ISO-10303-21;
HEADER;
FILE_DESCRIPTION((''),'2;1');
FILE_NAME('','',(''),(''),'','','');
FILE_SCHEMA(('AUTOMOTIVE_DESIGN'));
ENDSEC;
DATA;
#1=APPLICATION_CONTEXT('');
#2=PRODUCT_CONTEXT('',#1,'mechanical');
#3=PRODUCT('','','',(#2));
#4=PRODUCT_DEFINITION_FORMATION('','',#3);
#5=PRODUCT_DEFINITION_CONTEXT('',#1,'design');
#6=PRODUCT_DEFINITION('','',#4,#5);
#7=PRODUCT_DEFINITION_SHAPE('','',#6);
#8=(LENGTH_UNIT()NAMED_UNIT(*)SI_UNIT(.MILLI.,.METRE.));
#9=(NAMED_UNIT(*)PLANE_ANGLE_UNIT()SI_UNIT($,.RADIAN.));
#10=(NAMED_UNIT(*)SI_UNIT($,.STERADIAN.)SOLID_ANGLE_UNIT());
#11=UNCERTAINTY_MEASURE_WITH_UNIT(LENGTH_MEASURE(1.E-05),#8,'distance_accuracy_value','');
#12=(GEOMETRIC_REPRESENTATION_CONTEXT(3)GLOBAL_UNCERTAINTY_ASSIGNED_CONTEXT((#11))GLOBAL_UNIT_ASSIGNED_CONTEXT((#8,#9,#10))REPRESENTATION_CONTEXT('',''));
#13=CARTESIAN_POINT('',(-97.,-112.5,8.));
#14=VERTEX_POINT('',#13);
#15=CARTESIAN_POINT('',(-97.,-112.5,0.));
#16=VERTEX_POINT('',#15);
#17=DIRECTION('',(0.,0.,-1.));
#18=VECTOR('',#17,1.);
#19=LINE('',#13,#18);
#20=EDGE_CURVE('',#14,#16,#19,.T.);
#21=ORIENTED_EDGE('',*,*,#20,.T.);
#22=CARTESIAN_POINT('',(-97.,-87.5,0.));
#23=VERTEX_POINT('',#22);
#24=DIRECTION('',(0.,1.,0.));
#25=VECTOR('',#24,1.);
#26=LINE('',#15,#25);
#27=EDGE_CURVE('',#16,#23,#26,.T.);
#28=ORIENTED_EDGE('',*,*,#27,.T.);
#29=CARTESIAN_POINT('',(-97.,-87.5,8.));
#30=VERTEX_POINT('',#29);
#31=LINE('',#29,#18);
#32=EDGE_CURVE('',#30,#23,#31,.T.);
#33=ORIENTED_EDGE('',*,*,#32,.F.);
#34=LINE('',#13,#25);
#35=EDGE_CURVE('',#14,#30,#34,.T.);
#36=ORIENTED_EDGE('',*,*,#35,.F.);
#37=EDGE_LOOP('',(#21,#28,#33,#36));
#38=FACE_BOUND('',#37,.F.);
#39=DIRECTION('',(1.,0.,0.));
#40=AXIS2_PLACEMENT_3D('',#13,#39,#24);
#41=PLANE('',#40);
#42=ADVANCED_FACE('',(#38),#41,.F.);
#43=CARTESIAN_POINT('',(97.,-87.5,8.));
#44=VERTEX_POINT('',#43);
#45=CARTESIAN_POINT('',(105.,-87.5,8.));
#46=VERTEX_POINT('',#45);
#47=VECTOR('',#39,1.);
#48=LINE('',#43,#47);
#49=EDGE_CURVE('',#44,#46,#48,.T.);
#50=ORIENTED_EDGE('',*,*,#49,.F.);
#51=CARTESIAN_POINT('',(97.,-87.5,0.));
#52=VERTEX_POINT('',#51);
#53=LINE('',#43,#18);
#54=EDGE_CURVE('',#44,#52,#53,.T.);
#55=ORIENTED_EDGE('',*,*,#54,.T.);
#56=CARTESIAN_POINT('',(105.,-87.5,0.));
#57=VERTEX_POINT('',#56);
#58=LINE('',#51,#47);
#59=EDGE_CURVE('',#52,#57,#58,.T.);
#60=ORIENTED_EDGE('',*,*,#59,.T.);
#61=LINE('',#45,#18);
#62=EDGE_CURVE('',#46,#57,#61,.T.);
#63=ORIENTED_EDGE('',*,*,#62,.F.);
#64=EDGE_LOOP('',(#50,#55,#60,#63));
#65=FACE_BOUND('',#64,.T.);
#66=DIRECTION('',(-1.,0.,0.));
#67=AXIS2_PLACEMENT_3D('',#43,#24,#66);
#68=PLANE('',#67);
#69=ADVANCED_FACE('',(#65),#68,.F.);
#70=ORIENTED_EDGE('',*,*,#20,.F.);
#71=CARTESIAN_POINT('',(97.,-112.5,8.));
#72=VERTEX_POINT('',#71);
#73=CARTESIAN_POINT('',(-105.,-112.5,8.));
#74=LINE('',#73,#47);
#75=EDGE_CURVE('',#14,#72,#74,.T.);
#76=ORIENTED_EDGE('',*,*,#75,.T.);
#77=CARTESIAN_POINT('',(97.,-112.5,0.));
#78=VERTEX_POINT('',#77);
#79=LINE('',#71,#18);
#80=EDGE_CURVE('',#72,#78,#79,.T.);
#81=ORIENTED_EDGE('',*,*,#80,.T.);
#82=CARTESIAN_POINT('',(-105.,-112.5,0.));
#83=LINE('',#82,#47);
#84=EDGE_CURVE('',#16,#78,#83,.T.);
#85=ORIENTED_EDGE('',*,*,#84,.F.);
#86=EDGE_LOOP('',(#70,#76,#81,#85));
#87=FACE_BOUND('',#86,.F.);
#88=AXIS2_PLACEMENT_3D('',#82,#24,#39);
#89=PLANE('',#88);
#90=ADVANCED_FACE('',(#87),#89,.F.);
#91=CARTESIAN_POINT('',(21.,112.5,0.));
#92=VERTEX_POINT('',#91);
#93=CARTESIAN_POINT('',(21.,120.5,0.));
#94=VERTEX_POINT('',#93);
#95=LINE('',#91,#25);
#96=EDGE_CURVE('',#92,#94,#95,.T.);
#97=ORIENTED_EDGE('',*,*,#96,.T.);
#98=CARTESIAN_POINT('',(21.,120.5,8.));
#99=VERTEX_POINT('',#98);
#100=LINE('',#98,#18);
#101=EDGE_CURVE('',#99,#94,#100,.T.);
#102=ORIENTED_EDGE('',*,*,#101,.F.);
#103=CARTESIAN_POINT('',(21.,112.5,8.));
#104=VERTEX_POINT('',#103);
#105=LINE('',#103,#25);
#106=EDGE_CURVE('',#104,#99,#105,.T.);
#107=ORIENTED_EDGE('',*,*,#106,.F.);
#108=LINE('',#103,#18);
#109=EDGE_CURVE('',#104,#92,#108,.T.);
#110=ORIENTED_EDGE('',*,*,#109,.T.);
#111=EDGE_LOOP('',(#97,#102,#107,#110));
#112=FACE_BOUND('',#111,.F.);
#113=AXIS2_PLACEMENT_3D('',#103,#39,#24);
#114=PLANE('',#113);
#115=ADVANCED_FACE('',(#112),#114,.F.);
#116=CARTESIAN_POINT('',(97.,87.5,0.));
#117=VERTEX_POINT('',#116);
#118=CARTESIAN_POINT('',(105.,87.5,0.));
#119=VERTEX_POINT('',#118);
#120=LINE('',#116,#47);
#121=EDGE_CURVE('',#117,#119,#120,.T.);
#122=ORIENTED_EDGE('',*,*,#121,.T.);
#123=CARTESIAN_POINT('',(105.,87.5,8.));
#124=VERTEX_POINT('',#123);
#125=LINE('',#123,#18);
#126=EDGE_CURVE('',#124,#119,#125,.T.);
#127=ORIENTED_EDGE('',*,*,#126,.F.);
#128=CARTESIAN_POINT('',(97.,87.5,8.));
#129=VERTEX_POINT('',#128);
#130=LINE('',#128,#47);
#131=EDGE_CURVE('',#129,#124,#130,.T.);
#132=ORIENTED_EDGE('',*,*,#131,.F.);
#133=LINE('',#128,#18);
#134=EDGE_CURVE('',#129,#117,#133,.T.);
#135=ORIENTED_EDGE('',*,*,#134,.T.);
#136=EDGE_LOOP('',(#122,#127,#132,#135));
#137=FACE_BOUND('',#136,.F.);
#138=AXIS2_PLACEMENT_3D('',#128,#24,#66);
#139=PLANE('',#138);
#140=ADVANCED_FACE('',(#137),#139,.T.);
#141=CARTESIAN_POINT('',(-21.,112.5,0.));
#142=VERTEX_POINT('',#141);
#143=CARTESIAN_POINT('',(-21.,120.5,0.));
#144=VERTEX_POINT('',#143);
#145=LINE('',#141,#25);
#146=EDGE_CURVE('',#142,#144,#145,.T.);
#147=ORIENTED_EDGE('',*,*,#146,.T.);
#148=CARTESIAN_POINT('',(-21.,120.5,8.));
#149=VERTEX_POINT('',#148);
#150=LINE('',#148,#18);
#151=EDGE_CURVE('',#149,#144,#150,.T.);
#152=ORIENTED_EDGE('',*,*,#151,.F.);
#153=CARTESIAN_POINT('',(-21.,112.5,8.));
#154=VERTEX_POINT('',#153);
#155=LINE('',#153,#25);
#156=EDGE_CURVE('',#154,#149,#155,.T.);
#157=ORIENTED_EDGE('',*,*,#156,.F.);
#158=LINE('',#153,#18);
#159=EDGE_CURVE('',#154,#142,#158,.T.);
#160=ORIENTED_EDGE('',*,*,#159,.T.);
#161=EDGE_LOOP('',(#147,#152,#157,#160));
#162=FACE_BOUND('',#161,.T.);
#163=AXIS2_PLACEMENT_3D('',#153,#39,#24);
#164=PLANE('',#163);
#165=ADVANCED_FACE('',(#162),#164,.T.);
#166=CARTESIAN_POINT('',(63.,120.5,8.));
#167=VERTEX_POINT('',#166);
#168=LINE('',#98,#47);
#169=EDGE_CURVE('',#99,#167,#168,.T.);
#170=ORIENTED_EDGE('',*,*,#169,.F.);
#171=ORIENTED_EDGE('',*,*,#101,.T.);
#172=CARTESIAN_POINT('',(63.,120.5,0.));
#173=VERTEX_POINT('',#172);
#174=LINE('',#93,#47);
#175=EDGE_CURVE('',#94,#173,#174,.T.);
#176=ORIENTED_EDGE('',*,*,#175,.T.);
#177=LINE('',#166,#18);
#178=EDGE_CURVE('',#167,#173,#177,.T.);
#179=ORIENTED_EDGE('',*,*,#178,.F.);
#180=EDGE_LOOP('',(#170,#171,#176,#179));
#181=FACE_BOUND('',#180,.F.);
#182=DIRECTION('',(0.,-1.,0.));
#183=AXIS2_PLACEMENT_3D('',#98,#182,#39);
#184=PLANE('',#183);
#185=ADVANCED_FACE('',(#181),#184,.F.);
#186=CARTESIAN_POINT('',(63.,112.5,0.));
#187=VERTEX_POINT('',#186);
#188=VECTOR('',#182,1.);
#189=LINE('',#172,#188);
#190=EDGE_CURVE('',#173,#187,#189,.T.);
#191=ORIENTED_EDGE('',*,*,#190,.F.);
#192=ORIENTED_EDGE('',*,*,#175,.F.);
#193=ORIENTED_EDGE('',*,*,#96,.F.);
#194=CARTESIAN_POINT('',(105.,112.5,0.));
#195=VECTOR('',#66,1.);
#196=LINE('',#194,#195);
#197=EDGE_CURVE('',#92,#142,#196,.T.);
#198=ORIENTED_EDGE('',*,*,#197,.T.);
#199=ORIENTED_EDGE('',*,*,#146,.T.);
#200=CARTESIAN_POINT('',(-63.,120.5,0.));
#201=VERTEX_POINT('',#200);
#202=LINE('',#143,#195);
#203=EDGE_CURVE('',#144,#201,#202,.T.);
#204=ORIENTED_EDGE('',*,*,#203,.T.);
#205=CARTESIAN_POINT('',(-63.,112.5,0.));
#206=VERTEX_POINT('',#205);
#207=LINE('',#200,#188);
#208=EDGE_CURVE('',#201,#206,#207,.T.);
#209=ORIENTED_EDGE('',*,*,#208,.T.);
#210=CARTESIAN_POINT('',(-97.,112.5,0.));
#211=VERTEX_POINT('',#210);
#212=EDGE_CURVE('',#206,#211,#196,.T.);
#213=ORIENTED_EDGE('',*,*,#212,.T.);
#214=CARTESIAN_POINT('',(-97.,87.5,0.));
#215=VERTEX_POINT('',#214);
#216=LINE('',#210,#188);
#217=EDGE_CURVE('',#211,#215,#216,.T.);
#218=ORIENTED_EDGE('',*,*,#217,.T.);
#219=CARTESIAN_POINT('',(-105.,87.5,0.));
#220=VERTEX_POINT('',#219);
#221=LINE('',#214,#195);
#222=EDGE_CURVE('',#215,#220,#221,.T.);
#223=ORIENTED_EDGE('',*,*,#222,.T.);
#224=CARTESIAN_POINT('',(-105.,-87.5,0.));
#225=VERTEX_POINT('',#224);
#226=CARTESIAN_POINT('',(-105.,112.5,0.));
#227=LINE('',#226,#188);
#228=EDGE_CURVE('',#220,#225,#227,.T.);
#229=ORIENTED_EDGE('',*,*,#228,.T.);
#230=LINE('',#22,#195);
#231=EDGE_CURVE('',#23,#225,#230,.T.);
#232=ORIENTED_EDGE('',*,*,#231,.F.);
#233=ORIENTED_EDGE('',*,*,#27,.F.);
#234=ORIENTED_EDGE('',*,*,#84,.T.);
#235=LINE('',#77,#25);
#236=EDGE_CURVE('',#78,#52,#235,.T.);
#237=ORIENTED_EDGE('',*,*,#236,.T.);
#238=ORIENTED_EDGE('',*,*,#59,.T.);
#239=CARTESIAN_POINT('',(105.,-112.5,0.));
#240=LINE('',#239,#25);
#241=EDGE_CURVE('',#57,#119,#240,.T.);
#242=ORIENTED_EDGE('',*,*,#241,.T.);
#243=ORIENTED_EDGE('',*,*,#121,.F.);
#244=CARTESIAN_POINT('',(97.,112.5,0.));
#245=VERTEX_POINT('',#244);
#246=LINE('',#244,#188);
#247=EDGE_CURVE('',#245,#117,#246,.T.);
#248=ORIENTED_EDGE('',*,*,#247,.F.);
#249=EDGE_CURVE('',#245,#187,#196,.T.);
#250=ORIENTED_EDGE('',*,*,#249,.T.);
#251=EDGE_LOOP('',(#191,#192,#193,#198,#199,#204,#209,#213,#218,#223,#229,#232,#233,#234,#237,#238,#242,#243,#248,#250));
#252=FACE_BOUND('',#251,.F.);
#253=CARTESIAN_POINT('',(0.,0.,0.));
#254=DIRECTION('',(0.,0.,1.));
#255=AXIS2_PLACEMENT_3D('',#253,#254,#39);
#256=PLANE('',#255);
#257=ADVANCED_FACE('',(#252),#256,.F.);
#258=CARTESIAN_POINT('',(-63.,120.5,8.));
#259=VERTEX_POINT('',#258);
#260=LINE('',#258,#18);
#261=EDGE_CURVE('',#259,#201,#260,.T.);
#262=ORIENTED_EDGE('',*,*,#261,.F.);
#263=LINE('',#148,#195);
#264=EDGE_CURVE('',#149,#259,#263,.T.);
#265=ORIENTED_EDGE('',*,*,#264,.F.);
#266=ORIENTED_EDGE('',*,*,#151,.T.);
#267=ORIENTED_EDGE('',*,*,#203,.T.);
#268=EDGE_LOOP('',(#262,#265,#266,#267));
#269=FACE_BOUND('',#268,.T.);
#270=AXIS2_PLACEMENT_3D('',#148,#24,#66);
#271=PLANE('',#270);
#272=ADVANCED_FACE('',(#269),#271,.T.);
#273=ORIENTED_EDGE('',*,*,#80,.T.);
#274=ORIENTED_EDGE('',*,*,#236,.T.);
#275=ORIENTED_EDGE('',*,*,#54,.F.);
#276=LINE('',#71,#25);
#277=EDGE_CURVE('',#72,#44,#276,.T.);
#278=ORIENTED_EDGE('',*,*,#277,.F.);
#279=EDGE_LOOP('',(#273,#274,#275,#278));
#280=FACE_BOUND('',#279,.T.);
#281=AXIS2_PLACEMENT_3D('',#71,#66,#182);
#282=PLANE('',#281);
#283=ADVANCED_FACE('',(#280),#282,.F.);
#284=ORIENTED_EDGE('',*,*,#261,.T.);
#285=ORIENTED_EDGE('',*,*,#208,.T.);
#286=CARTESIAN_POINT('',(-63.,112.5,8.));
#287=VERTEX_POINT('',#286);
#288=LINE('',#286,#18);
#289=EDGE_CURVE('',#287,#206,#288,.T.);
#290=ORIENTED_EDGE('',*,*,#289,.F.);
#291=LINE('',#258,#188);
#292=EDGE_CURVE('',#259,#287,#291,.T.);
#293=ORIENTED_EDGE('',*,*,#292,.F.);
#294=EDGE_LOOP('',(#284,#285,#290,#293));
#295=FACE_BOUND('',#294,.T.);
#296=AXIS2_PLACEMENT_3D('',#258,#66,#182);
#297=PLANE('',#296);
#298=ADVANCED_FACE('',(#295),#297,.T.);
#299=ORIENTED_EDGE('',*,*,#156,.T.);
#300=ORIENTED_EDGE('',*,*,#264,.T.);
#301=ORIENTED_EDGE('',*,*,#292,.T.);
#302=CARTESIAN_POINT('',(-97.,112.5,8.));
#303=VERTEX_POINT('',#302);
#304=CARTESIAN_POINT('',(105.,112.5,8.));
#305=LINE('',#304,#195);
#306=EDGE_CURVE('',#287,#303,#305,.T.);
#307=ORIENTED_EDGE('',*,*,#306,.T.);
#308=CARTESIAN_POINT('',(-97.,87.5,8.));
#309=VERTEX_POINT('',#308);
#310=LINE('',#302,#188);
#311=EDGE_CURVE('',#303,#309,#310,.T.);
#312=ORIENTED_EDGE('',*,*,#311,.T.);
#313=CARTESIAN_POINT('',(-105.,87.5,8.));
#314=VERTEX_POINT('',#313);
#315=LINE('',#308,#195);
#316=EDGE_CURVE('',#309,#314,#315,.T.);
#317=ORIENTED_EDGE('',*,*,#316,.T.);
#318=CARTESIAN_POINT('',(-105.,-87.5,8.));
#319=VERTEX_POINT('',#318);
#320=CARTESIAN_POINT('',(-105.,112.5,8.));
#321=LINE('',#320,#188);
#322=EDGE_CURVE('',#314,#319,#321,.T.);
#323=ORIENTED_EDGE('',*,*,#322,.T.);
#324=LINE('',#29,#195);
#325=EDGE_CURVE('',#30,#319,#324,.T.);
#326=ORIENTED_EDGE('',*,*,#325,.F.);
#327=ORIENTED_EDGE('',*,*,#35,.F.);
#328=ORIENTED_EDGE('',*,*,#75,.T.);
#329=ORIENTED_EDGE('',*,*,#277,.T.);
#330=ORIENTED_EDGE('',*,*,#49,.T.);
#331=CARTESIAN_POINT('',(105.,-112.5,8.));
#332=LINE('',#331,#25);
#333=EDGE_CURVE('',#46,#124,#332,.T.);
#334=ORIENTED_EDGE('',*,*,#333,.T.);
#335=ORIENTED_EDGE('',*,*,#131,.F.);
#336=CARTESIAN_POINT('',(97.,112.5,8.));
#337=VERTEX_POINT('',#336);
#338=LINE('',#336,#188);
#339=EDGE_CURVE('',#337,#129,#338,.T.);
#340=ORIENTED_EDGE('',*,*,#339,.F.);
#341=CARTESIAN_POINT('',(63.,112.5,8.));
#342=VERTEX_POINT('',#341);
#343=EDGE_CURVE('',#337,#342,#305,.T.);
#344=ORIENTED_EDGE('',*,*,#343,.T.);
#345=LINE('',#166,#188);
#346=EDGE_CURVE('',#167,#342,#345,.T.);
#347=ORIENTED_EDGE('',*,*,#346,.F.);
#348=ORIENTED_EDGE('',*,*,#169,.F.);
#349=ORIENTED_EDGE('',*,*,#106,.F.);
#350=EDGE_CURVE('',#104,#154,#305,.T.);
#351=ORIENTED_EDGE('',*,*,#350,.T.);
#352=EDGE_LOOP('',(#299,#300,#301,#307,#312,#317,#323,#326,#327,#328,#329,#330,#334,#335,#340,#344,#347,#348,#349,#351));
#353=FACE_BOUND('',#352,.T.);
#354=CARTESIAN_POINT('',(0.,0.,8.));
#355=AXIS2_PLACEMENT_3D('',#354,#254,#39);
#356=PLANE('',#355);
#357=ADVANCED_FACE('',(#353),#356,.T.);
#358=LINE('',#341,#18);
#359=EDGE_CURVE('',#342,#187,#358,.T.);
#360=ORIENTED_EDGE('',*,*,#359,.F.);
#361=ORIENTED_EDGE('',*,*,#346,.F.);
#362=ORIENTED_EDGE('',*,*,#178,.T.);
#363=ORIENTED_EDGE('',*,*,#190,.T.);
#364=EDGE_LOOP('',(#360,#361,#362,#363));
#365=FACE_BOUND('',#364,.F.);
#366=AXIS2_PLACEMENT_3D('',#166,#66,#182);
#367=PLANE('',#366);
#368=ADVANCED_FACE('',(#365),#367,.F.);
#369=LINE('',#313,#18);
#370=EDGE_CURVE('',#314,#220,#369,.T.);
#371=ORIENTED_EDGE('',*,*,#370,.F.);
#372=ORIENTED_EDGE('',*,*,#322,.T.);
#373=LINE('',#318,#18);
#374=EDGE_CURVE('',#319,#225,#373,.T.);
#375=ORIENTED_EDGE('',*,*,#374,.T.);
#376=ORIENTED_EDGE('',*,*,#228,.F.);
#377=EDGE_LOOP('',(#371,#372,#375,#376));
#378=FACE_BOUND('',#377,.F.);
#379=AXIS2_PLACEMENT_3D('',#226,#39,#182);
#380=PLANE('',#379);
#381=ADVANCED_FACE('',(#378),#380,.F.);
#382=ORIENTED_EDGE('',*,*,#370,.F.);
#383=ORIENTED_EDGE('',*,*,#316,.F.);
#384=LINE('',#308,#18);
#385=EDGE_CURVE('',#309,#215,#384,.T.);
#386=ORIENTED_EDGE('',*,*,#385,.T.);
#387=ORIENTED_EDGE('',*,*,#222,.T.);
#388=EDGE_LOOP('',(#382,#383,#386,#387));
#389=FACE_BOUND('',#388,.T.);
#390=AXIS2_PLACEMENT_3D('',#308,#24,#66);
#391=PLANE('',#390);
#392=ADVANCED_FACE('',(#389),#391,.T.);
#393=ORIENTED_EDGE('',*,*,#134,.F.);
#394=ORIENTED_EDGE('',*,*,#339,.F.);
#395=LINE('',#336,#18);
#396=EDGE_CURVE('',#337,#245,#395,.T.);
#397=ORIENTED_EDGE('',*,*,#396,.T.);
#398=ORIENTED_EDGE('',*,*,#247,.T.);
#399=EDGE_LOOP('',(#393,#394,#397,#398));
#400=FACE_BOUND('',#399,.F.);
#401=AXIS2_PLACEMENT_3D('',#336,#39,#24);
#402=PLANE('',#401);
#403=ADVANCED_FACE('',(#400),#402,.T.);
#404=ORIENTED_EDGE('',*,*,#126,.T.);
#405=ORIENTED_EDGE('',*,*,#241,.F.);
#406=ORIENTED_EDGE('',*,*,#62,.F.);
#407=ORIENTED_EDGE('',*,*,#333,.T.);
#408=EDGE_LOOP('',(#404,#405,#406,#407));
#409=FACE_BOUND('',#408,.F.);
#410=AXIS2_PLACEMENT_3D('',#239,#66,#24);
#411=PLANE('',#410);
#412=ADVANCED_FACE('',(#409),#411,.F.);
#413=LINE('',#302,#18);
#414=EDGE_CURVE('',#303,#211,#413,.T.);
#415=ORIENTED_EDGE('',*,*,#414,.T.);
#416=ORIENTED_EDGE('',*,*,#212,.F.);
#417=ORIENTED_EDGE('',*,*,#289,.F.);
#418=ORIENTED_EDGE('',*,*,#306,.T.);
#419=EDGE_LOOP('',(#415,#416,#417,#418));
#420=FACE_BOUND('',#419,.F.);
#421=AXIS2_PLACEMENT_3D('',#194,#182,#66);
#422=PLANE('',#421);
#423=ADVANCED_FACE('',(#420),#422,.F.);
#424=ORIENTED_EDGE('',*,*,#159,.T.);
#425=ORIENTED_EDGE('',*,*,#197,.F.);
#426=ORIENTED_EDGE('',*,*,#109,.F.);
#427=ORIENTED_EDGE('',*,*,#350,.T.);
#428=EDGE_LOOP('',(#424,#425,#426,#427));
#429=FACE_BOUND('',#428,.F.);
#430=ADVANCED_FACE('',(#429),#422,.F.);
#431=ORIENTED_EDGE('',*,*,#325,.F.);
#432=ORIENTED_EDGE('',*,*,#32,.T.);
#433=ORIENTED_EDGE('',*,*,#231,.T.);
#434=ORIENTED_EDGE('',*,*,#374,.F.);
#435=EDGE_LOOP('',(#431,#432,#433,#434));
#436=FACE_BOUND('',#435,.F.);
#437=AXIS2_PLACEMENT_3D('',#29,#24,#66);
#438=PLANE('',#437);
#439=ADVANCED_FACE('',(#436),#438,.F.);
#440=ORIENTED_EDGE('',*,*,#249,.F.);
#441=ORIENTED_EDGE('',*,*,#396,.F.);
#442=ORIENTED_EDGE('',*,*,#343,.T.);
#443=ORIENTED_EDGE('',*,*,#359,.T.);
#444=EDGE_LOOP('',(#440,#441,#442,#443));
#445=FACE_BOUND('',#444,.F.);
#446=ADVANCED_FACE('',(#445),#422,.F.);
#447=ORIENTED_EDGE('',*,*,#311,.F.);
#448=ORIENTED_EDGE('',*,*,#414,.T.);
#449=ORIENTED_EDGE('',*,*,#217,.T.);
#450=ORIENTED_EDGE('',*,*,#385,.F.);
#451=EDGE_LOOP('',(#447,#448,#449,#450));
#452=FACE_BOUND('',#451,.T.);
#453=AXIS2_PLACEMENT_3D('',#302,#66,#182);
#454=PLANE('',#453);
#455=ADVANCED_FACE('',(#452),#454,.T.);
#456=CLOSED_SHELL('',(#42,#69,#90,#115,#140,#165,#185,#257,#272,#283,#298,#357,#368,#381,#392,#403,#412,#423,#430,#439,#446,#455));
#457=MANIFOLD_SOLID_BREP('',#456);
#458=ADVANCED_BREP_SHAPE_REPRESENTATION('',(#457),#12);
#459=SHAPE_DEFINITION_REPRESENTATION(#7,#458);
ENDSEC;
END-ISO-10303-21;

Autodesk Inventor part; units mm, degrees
ref_plane "YZ Plane" through (0, 0, 0) normal (1, 0, 0) x (0, 1, 0)
ref_plane "XZ Plane" through (0, 0, 0) normal (0, 1, 0) x (-1, 0, 0)
ref_plane "XY Plane" through (0, 0, 0) normal (0, 0, 1) x (1, 0, 0)
sketch "Sketch2" plane through (0, 0, 0) normal (0, 0, 1) x (1, 0, 0)
  line L0 (-105, -112.5) -> (105, -112.5)
  line L1 (105, -112.5) -> (105, 112.5)
  line L2 (105, 112.5) -> (-105, 112.5)
  line L3 (-105, 112.5) -> (-105, -112.5)
  line L4 (-105, -112.5) -> (105, 112.5) construction
  line L5 (105, -112.5) -> (-105, 112.5) construction
  point P0 (0, 0)
  dimension "d11" = 225
  dimension "d12" = 210
extrude "Extrusion2" add sketch "Sketch2" along normal blind 8
sketch "Sketch3" plane through (0, 0, 8) normal (0, 0, 1) x (1, 0, 0)
  line L0 (105, 112.5) -> (-105, 112.5) projected
  line L1 (-63, 112.5) -> (-21, 112.5)
  line L2 (-21, 112.5) -> (-21, 120.5)
  line L3 (-21, 120.5) -> (-63, 120.5)
  line L4 (-63, 120.5) -> (-63, 112.5)
  line L5 (63, 112.5) -> (21, 112.5)
  line L6 (21, 112.5) -> (21, 120.5)
  line L7 (21, 120.5) -> (63, 120.5)
  line L8 (63, 120.5) -> (63, 112.5)
  line L9 (-21, 120.5) -> (21, 120.5) construction
  line L10 (63, 120.5) -> (105, 120.5) construction
  line L11 (-63, 120.5) -> (-105, 120.5) construction
  point P0 (0, 0)
  dimension "d15" = 8
extrude "Extrusion3" add sketch "Sketch3" against normal blind 8
sketch "Sketch4" plane through (0, 0, 8) normal (0, 0, 1) x (1, 0, 0)
  line L0 (-105, 112.5) -> (-105, -112.5) projected
  line L1 (-105, -112.5) -> (-97, -112.5)
  line L2 (-97, -112.5) -> (-97, -87.5)
  line L3 (-97, -87.5) -> (-105, -87.5)
  line L4 (-105, -87.5) -> (-105, -112.5)
  line L5 (-105, 112.5) -> (-97, 112.5)
  line L6 (-97, 112.5) -> (-97, 87.5)
  line L7 (-97, 87.5) -> (-105, 87.5)
  line L8 (-105, 87.5) -> (-105, 112.5)
  line L9 (-97, -87.5) -> (-97, 87.5) construction
  point P0 (0, 0)
  dimension "d21" = 8
  dimension "d22" = 25
extrude "Extrusion4" cut sketch "Sketch4" against normal blind 8
mirror "Mirror2" about plane through (0, 0, 0) normal (1, 0, 0) of "Extrusion4"
properties part number "M06 - Wall Side 1" material "Polycarbonate, Clear"
